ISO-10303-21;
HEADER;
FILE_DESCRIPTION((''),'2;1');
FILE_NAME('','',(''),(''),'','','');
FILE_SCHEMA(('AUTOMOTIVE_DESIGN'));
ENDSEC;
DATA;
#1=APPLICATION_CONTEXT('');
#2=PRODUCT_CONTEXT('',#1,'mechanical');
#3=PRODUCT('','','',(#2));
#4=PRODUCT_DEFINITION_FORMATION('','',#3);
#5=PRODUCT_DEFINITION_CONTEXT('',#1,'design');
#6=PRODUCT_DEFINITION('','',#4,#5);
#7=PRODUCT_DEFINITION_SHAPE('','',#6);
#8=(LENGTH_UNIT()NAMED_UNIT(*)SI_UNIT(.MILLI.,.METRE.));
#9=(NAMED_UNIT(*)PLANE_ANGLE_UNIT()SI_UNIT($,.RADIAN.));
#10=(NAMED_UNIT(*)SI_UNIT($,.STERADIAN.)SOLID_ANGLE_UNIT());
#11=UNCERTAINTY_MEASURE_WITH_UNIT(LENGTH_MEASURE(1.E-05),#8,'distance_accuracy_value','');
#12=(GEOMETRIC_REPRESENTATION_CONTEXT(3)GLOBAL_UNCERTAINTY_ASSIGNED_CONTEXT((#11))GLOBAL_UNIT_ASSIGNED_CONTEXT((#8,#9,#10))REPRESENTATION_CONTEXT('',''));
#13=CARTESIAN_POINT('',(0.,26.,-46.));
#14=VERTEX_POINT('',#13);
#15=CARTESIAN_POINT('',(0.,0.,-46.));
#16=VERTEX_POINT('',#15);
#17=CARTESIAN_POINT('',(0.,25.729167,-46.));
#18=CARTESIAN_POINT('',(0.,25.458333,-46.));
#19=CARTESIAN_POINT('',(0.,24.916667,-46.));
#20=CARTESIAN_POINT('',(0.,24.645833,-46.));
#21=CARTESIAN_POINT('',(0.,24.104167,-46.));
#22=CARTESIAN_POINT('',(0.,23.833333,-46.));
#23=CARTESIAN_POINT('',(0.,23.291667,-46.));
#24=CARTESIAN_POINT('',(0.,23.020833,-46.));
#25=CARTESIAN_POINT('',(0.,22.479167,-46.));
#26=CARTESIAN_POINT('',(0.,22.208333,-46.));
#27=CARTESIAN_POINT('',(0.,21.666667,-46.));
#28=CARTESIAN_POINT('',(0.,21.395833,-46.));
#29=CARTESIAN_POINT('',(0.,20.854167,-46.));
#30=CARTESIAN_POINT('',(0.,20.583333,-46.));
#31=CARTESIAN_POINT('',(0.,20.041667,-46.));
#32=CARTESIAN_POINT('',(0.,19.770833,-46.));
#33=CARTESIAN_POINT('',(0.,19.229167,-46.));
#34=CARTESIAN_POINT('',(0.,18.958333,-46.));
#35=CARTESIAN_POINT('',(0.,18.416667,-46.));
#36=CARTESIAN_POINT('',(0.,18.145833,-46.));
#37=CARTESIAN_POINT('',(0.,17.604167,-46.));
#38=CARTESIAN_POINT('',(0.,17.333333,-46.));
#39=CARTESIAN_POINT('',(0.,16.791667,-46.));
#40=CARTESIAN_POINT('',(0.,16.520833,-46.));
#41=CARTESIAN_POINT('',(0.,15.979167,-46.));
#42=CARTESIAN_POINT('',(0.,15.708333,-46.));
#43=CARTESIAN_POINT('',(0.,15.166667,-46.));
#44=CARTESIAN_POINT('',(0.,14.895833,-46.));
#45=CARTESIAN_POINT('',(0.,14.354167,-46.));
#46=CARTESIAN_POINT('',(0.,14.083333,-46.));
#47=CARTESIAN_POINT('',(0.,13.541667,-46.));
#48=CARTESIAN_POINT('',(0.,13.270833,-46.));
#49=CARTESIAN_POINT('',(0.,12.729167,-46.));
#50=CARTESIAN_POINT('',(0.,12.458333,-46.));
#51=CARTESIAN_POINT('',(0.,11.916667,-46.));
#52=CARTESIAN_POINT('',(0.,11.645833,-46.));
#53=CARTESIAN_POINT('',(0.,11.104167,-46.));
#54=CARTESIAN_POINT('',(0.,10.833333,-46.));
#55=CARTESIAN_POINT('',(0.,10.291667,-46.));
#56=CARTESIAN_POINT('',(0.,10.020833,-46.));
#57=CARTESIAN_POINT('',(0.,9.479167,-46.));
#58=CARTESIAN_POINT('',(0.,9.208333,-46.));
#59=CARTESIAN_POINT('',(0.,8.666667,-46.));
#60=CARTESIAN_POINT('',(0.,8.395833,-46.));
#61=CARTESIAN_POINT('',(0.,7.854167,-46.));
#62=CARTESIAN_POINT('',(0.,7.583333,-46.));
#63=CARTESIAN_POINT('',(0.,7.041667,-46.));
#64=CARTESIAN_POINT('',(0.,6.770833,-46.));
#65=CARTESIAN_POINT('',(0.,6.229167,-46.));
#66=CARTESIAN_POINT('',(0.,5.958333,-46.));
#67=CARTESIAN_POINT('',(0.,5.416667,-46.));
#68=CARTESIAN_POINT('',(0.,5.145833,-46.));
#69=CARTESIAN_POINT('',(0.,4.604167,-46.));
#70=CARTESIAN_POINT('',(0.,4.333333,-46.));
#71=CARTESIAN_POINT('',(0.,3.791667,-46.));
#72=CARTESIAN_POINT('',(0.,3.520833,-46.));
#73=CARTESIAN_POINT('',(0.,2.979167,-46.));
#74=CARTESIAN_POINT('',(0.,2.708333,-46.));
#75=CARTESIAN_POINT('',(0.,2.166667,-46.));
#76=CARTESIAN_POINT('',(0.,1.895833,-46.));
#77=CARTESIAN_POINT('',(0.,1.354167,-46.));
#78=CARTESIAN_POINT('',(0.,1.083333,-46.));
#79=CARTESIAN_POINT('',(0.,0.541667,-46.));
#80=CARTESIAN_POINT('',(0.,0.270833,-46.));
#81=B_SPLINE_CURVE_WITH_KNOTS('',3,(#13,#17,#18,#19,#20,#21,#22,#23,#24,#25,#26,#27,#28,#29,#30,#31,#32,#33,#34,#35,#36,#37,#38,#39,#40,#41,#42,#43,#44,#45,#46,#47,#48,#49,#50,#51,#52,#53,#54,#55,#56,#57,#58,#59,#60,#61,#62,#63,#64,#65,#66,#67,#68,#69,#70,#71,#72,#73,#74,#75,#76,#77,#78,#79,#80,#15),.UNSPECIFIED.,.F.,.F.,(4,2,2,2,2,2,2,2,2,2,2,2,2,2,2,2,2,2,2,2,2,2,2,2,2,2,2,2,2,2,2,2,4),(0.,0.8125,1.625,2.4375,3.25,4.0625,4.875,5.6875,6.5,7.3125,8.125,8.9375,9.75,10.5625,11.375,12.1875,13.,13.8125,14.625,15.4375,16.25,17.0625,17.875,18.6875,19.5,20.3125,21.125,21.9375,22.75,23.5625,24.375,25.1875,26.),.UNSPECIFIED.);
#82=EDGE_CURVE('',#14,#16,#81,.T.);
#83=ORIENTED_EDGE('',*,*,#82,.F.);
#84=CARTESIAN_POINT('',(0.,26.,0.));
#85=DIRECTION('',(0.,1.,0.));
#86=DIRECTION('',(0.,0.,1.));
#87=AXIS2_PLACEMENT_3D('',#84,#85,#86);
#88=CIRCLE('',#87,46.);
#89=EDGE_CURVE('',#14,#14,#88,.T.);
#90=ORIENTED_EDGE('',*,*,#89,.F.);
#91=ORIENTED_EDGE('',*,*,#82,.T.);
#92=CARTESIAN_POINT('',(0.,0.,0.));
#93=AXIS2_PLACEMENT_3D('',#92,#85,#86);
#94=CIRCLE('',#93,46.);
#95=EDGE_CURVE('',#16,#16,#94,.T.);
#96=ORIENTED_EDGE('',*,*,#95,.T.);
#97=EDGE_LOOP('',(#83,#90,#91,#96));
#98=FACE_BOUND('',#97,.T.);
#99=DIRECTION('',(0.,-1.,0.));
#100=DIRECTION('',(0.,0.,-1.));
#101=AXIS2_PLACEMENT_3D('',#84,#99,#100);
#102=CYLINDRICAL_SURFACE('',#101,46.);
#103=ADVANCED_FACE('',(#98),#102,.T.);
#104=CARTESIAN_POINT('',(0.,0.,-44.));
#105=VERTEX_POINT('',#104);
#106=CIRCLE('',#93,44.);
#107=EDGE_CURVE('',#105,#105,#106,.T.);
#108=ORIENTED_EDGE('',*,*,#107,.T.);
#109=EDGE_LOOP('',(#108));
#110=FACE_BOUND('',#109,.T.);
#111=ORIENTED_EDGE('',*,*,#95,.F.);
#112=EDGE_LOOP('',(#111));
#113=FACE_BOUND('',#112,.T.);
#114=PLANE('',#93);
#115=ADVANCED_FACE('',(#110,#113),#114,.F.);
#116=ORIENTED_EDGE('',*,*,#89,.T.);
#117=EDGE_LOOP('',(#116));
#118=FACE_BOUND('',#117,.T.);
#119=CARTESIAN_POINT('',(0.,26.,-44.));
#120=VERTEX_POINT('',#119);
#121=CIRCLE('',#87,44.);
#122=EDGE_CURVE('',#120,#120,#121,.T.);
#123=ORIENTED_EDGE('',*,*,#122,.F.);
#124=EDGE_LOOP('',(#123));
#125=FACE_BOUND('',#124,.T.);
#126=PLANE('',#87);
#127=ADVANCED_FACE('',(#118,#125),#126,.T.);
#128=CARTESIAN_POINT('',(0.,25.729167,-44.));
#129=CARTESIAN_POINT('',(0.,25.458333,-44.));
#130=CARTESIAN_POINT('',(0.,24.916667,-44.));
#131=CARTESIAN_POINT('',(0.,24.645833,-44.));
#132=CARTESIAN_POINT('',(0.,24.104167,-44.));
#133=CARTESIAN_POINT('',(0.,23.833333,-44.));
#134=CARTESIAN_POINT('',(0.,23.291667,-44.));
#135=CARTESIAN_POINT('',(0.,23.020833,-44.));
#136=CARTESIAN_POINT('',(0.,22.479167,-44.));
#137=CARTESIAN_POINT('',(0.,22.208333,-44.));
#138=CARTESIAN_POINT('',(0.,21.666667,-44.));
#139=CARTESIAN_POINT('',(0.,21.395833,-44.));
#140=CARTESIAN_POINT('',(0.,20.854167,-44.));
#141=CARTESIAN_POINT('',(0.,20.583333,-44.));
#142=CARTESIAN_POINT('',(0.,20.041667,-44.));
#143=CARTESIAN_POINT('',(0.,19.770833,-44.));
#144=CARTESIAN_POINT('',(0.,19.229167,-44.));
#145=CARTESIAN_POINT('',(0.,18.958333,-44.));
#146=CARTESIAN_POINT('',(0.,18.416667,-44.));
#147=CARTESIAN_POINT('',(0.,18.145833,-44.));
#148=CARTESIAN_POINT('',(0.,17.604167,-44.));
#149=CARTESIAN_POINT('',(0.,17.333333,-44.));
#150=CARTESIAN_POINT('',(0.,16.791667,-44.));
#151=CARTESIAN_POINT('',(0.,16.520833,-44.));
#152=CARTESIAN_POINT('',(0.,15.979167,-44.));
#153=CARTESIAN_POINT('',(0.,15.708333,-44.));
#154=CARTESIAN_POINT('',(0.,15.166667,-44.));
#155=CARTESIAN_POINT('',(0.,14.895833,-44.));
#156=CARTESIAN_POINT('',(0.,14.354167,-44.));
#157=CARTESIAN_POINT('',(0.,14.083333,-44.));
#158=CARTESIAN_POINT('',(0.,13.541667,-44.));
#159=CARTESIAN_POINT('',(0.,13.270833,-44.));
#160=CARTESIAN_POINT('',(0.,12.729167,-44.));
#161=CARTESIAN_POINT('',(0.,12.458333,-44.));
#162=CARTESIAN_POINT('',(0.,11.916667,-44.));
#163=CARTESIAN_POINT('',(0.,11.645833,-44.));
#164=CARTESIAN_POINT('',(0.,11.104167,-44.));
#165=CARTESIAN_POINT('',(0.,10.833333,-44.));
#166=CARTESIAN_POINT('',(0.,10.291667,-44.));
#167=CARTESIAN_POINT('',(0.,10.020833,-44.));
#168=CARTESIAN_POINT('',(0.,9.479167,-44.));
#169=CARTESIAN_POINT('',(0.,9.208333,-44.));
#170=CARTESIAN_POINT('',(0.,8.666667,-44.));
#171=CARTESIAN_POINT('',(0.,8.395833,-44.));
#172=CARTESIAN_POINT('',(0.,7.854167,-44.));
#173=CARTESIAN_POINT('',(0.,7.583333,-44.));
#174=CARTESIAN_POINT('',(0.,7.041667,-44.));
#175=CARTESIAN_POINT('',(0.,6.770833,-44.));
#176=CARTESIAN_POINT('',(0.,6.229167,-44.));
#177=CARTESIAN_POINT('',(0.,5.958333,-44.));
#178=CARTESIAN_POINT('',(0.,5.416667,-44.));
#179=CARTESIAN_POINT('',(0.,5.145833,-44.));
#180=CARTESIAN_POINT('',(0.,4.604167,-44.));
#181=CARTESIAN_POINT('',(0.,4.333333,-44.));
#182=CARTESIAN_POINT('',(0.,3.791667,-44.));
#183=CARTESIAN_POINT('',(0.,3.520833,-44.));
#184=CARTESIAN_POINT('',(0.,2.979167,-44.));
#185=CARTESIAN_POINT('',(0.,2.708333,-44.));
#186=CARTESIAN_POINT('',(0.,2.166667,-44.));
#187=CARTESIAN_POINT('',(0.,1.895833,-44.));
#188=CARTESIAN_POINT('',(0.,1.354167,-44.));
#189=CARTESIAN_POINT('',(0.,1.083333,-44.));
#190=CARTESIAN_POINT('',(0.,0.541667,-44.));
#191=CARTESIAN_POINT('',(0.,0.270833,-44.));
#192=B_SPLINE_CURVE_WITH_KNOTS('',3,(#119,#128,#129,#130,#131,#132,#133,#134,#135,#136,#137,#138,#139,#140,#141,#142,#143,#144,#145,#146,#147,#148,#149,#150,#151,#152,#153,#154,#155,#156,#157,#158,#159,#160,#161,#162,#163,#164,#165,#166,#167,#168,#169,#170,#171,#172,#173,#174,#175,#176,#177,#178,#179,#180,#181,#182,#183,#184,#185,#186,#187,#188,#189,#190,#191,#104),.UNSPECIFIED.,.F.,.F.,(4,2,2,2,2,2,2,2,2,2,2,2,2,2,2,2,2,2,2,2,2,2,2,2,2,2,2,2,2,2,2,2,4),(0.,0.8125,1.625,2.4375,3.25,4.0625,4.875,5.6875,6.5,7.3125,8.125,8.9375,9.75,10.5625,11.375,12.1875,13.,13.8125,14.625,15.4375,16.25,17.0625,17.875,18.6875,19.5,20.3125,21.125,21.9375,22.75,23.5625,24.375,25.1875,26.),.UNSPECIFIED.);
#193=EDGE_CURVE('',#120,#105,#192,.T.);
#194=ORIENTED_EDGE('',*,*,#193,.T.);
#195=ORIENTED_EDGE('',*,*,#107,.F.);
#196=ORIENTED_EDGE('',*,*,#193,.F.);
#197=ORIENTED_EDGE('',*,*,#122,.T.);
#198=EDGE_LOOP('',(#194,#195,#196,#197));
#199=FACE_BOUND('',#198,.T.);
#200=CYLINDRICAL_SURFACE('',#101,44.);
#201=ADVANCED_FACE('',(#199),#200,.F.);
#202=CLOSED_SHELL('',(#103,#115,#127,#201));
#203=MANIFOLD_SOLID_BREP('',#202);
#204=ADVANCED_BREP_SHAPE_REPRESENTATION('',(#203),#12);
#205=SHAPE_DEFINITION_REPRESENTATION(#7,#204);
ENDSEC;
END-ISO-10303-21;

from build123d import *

# Parameters (mm, degrees)
SKICA1_R                = 46
SKICA1_R_2              = 44
P_IDAT_VYSUNUT_M1_DEPTH = 26


with BuildPart() as part:
    # Skica1 → Přidat vysunutím1 (new body)
    with BuildSketch(Plane(origin=(0, 0, 0), x_dir=(1, 0, 0), z_dir=(0, 1, 0))):
        with Locations(Location((0, 0, 0), (0, 0, 90))):
            Circle(SKICA1_R)
        with Locations(Location((0, 0, 0), (0, 0, 90))):
            Circle(SKICA1_R_2, mode=Mode.SUBTRACT)
    extrude(amount=P_IDAT_VYSUNUT_M1_DEPTH)


solid = part.part
